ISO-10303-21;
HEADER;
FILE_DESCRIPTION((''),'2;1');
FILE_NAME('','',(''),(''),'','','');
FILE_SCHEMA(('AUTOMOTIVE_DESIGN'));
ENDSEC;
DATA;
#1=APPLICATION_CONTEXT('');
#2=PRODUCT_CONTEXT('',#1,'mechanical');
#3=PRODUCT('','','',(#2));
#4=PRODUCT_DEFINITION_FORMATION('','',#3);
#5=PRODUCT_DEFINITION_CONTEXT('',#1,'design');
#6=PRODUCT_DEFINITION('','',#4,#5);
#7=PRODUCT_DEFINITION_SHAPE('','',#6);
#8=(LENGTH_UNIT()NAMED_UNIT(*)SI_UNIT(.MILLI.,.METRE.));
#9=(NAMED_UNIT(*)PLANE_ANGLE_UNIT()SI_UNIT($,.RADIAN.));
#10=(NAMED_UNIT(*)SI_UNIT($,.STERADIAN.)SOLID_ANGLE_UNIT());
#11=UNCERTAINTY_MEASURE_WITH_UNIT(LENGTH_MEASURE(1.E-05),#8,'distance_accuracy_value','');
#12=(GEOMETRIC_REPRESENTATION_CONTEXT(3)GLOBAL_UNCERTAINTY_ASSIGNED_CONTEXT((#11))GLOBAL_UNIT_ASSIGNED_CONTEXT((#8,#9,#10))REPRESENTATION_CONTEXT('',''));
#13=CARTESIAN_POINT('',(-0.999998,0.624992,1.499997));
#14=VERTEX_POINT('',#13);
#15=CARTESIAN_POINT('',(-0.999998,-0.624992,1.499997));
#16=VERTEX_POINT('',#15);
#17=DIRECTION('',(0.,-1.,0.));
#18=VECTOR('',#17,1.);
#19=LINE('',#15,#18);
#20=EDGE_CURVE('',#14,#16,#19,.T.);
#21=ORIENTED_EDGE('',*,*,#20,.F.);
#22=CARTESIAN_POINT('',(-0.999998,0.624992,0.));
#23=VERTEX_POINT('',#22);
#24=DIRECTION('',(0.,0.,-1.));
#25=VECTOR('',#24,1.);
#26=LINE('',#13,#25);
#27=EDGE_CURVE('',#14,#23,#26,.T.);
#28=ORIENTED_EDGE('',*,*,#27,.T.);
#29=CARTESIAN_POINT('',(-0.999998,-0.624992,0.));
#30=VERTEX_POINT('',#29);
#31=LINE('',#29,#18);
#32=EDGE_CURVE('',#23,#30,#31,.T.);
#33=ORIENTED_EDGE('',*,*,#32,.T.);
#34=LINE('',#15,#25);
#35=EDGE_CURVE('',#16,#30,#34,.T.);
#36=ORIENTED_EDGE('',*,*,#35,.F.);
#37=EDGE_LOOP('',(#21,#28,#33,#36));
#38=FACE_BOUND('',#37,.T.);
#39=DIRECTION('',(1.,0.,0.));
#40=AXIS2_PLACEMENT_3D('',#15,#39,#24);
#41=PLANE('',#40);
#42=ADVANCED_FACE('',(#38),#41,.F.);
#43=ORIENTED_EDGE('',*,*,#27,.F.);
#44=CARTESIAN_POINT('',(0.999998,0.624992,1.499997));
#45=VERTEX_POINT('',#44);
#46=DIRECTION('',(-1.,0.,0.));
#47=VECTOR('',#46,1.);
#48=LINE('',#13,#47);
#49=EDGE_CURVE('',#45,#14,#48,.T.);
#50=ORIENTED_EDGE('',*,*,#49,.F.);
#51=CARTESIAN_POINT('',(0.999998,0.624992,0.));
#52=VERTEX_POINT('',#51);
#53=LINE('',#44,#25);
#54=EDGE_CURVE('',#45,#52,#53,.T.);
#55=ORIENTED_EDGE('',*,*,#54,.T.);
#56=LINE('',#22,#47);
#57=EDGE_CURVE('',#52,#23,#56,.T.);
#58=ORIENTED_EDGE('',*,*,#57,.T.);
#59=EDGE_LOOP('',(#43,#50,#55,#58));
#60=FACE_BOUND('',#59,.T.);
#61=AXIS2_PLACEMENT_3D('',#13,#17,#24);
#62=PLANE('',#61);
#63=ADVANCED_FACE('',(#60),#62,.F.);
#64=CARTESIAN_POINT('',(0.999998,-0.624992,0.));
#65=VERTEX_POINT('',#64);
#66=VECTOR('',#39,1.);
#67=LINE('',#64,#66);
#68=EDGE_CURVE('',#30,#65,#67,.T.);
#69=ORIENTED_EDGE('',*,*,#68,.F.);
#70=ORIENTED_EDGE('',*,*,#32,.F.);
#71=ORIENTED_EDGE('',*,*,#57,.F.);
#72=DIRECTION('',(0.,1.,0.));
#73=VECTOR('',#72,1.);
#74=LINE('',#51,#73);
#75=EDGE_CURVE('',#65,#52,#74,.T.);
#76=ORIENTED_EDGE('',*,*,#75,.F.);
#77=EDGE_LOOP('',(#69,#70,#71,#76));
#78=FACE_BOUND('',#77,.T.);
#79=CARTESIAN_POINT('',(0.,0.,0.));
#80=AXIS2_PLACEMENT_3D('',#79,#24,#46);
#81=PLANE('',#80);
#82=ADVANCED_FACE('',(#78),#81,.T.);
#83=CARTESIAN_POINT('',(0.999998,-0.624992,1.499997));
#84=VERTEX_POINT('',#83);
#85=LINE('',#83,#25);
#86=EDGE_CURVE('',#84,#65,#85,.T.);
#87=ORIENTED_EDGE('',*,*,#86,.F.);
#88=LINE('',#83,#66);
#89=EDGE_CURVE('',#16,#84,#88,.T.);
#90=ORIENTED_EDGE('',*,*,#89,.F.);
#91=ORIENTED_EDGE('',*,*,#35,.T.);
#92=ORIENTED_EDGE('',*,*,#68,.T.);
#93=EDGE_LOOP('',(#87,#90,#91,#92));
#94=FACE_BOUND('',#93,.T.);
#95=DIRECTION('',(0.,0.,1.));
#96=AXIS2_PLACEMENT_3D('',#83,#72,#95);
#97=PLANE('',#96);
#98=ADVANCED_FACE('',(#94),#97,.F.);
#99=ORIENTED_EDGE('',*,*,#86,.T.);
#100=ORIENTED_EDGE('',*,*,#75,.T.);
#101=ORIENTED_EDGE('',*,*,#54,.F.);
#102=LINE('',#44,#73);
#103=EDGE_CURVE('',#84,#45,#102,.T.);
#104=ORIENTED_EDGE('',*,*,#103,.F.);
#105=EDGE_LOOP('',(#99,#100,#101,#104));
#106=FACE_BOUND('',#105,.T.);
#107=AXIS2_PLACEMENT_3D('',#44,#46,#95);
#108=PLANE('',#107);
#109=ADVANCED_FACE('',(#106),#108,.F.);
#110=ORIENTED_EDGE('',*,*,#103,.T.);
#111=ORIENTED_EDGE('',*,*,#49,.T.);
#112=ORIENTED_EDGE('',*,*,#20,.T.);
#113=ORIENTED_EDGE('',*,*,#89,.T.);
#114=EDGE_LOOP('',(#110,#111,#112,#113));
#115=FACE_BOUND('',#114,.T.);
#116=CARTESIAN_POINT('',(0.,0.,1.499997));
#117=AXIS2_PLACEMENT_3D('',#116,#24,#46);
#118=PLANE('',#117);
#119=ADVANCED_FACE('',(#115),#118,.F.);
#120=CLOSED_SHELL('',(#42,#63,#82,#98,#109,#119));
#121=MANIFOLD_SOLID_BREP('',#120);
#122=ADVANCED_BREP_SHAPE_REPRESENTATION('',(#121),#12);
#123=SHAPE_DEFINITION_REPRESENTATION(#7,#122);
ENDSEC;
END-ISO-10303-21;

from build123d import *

# Parameters (mm, degrees)
SKETCH1_W               = 1.999996
SKETCH1_H               = 1.2499848
COMPONENT_OUTLINE_DEPTH = 1.499997


with BuildPart() as part:
    # Sketch1 → Component_Outline (new body)
    with BuildSketch(Plane.XY):
        Rectangle(SKETCH1_W, SKETCH1_H)
    extrude(amount=COMPONENT_OUTLINE_DEPTH)


solid = part.part
